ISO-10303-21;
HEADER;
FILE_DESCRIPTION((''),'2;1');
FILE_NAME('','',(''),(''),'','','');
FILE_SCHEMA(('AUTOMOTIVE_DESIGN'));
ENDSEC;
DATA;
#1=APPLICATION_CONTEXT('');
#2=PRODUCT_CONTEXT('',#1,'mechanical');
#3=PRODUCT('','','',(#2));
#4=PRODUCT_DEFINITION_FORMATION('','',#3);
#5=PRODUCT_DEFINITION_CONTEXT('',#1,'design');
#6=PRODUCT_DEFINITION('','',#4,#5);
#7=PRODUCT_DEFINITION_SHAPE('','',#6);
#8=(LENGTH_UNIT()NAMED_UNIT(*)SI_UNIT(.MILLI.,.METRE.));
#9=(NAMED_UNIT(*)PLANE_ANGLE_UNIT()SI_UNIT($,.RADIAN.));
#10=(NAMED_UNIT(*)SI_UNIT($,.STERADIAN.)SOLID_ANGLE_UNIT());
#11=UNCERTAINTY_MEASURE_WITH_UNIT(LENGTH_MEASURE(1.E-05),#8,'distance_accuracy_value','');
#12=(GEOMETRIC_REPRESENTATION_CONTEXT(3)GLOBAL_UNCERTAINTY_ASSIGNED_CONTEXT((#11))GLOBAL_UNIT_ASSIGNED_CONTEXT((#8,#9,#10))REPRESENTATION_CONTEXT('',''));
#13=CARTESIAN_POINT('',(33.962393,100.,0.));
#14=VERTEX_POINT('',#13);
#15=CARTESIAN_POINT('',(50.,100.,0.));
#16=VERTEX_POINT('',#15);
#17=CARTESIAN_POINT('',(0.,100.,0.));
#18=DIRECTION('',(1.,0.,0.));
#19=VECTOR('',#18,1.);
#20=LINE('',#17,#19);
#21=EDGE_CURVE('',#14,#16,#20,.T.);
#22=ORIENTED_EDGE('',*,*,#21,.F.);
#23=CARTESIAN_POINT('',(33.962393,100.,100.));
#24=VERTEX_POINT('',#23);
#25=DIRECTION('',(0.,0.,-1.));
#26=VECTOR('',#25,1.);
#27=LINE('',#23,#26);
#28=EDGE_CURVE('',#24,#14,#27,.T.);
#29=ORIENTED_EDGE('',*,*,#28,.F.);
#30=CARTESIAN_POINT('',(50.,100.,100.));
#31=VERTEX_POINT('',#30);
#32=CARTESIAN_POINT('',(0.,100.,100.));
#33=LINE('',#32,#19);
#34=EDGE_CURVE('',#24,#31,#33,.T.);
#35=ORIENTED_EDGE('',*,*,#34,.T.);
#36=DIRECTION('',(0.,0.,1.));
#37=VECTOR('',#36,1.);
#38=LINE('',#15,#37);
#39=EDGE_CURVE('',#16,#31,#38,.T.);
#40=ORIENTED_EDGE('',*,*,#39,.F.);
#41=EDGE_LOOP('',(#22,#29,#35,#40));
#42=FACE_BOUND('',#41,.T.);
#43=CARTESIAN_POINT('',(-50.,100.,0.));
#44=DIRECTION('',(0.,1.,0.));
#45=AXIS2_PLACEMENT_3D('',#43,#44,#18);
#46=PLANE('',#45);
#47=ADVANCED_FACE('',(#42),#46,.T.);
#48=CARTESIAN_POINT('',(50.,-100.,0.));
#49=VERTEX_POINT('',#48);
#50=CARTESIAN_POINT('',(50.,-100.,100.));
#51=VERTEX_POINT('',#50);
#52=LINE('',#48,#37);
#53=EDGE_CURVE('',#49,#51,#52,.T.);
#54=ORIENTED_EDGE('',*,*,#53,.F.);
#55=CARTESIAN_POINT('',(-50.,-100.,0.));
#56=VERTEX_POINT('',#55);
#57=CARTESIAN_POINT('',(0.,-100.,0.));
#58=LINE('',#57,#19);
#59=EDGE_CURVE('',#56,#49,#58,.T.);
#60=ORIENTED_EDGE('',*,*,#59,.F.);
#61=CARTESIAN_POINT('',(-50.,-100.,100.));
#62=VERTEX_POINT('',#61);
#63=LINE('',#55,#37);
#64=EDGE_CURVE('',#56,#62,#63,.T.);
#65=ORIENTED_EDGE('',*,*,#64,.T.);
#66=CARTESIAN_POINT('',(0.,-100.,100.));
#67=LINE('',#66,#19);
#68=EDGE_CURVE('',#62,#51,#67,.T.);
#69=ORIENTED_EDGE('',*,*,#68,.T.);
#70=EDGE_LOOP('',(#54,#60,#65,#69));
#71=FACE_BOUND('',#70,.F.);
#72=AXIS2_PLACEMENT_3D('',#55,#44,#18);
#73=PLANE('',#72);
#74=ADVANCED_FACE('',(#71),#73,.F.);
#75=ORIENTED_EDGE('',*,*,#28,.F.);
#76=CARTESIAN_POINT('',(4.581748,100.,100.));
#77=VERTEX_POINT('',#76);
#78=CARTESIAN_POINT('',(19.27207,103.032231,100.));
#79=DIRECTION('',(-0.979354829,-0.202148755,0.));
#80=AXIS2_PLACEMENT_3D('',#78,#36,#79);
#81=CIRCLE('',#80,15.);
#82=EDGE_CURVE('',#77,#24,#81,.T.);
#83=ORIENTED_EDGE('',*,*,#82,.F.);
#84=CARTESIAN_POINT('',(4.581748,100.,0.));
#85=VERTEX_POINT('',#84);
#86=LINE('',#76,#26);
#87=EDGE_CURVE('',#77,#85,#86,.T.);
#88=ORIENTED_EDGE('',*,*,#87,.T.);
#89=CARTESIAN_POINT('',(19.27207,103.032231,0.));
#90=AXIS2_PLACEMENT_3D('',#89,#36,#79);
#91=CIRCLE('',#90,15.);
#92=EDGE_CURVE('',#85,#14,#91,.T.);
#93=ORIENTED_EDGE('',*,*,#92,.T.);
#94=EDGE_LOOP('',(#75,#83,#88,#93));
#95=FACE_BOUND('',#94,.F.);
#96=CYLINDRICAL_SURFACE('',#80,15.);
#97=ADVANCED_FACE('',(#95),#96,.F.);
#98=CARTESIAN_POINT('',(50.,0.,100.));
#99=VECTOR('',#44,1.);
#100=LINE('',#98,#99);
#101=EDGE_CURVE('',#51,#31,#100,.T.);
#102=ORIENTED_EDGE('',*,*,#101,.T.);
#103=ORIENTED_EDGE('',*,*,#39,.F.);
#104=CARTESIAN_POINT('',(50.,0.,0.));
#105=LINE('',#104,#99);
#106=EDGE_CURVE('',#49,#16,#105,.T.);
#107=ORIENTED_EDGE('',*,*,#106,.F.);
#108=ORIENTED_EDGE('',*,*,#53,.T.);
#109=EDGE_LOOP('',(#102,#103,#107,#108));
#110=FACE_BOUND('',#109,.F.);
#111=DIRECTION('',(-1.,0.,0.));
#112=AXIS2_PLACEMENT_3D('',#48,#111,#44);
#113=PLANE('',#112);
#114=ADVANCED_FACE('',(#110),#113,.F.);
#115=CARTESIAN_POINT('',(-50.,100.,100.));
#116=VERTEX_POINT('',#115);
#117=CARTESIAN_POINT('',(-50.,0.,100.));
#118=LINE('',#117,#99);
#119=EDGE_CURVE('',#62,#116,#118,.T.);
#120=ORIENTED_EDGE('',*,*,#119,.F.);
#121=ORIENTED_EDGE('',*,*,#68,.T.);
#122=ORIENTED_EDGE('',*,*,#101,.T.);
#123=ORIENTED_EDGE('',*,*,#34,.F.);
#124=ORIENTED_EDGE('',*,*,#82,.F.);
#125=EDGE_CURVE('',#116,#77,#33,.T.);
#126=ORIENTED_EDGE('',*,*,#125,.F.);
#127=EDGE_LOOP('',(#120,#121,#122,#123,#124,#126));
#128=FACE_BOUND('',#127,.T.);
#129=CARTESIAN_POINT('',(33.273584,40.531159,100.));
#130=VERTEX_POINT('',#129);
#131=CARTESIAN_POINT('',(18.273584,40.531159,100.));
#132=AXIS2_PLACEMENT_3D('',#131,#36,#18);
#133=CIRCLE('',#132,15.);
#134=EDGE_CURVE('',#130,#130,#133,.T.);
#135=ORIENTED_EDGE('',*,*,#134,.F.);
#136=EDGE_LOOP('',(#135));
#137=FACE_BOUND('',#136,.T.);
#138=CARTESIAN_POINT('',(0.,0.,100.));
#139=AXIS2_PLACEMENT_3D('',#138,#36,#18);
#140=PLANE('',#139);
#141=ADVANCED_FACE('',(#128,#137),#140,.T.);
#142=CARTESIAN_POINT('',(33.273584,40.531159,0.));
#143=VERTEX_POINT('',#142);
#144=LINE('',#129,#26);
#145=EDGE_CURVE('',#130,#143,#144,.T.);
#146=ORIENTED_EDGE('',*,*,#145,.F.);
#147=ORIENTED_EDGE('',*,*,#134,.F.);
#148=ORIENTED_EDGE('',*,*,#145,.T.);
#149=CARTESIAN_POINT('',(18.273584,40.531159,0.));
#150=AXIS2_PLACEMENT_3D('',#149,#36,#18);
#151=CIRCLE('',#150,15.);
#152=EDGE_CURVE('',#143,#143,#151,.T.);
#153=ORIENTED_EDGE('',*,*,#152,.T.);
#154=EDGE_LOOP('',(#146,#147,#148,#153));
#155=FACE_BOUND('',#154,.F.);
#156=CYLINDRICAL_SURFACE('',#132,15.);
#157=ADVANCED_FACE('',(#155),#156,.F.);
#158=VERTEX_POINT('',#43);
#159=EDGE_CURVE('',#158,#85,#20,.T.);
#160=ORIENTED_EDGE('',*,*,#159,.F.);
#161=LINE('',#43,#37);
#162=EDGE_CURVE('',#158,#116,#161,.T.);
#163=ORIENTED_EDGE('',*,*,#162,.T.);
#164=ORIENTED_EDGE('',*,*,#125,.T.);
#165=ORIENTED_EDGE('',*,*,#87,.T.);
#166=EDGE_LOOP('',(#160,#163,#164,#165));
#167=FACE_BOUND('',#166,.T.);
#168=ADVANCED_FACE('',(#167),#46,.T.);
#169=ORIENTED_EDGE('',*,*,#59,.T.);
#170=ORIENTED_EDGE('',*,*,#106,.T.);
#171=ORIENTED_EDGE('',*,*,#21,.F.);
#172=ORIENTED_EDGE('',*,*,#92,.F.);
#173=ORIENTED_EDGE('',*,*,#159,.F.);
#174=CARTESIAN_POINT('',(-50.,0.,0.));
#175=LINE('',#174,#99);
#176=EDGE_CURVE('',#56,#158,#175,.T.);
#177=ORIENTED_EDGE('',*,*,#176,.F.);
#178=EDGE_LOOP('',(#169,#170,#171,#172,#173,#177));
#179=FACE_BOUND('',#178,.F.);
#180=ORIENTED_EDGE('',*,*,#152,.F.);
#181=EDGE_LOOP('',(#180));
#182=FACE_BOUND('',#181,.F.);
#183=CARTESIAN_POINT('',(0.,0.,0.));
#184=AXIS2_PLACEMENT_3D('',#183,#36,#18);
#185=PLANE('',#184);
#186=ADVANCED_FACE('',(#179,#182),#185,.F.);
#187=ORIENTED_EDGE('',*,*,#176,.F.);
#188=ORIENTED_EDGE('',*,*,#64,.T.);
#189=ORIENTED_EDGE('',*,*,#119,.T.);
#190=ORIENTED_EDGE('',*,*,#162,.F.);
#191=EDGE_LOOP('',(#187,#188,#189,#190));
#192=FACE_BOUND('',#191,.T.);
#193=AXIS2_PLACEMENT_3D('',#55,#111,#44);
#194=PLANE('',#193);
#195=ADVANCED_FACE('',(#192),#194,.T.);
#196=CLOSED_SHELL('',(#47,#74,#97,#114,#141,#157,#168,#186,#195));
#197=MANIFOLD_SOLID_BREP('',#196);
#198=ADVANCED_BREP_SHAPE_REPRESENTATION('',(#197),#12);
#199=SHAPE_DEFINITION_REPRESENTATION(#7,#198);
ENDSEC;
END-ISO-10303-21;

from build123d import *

# Parameters (mm, degrees)
F0_W     = 100
F0_H     = 200
F1_DEPTH = 100
F2_R     = 15
F3_DEPTH = 100
F5_DEPTH = 100


with BuildPart() as f1:
    # F0 (on Top) → F1 (new body)
    with BuildSketch(Plane.XY):
        Rectangle(F0_W, F0_H)
    extrude(amount=F1_DEPTH)

    # F2 (on face) → F3 (cut)
    with BuildSketch(Plane.XY.offset(100)):
        with Locations((18.2735839133, 40.5311594063)):
            Circle(F2_R)
    extrude(amount=-F3_DEPTH, mode=Mode.SUBTRACT)

    # F4 (on face) → F5 (cut)
    with BuildSketch(Plane.XY.offset(100)):
        with BuildLine():
            Line((33.9623928101, 100), (4.5817479461, 100))
            ThreePointArc((4.5817479461, 100), (19.2720703781, 88.0322313309), (33.9623928101, 100))
        make_face()
        with BuildLine():
            ThreePointArc((33.9623928101, 100), (34.1944501561, 101.5082294411), (34.2720703781, 103.0322313309))
            ThreePointArc((34.2720703781, 103.0322313309), (17.7480684883, 117.9546111089), (4.5817479461, 100))
            Line((4.5817479461, 100), (33.9623928101, 100))
        make_face()
    extrude(amount=-F5_DEPTH, mode=Mode.SUBTRACT)


solid = f1.part
